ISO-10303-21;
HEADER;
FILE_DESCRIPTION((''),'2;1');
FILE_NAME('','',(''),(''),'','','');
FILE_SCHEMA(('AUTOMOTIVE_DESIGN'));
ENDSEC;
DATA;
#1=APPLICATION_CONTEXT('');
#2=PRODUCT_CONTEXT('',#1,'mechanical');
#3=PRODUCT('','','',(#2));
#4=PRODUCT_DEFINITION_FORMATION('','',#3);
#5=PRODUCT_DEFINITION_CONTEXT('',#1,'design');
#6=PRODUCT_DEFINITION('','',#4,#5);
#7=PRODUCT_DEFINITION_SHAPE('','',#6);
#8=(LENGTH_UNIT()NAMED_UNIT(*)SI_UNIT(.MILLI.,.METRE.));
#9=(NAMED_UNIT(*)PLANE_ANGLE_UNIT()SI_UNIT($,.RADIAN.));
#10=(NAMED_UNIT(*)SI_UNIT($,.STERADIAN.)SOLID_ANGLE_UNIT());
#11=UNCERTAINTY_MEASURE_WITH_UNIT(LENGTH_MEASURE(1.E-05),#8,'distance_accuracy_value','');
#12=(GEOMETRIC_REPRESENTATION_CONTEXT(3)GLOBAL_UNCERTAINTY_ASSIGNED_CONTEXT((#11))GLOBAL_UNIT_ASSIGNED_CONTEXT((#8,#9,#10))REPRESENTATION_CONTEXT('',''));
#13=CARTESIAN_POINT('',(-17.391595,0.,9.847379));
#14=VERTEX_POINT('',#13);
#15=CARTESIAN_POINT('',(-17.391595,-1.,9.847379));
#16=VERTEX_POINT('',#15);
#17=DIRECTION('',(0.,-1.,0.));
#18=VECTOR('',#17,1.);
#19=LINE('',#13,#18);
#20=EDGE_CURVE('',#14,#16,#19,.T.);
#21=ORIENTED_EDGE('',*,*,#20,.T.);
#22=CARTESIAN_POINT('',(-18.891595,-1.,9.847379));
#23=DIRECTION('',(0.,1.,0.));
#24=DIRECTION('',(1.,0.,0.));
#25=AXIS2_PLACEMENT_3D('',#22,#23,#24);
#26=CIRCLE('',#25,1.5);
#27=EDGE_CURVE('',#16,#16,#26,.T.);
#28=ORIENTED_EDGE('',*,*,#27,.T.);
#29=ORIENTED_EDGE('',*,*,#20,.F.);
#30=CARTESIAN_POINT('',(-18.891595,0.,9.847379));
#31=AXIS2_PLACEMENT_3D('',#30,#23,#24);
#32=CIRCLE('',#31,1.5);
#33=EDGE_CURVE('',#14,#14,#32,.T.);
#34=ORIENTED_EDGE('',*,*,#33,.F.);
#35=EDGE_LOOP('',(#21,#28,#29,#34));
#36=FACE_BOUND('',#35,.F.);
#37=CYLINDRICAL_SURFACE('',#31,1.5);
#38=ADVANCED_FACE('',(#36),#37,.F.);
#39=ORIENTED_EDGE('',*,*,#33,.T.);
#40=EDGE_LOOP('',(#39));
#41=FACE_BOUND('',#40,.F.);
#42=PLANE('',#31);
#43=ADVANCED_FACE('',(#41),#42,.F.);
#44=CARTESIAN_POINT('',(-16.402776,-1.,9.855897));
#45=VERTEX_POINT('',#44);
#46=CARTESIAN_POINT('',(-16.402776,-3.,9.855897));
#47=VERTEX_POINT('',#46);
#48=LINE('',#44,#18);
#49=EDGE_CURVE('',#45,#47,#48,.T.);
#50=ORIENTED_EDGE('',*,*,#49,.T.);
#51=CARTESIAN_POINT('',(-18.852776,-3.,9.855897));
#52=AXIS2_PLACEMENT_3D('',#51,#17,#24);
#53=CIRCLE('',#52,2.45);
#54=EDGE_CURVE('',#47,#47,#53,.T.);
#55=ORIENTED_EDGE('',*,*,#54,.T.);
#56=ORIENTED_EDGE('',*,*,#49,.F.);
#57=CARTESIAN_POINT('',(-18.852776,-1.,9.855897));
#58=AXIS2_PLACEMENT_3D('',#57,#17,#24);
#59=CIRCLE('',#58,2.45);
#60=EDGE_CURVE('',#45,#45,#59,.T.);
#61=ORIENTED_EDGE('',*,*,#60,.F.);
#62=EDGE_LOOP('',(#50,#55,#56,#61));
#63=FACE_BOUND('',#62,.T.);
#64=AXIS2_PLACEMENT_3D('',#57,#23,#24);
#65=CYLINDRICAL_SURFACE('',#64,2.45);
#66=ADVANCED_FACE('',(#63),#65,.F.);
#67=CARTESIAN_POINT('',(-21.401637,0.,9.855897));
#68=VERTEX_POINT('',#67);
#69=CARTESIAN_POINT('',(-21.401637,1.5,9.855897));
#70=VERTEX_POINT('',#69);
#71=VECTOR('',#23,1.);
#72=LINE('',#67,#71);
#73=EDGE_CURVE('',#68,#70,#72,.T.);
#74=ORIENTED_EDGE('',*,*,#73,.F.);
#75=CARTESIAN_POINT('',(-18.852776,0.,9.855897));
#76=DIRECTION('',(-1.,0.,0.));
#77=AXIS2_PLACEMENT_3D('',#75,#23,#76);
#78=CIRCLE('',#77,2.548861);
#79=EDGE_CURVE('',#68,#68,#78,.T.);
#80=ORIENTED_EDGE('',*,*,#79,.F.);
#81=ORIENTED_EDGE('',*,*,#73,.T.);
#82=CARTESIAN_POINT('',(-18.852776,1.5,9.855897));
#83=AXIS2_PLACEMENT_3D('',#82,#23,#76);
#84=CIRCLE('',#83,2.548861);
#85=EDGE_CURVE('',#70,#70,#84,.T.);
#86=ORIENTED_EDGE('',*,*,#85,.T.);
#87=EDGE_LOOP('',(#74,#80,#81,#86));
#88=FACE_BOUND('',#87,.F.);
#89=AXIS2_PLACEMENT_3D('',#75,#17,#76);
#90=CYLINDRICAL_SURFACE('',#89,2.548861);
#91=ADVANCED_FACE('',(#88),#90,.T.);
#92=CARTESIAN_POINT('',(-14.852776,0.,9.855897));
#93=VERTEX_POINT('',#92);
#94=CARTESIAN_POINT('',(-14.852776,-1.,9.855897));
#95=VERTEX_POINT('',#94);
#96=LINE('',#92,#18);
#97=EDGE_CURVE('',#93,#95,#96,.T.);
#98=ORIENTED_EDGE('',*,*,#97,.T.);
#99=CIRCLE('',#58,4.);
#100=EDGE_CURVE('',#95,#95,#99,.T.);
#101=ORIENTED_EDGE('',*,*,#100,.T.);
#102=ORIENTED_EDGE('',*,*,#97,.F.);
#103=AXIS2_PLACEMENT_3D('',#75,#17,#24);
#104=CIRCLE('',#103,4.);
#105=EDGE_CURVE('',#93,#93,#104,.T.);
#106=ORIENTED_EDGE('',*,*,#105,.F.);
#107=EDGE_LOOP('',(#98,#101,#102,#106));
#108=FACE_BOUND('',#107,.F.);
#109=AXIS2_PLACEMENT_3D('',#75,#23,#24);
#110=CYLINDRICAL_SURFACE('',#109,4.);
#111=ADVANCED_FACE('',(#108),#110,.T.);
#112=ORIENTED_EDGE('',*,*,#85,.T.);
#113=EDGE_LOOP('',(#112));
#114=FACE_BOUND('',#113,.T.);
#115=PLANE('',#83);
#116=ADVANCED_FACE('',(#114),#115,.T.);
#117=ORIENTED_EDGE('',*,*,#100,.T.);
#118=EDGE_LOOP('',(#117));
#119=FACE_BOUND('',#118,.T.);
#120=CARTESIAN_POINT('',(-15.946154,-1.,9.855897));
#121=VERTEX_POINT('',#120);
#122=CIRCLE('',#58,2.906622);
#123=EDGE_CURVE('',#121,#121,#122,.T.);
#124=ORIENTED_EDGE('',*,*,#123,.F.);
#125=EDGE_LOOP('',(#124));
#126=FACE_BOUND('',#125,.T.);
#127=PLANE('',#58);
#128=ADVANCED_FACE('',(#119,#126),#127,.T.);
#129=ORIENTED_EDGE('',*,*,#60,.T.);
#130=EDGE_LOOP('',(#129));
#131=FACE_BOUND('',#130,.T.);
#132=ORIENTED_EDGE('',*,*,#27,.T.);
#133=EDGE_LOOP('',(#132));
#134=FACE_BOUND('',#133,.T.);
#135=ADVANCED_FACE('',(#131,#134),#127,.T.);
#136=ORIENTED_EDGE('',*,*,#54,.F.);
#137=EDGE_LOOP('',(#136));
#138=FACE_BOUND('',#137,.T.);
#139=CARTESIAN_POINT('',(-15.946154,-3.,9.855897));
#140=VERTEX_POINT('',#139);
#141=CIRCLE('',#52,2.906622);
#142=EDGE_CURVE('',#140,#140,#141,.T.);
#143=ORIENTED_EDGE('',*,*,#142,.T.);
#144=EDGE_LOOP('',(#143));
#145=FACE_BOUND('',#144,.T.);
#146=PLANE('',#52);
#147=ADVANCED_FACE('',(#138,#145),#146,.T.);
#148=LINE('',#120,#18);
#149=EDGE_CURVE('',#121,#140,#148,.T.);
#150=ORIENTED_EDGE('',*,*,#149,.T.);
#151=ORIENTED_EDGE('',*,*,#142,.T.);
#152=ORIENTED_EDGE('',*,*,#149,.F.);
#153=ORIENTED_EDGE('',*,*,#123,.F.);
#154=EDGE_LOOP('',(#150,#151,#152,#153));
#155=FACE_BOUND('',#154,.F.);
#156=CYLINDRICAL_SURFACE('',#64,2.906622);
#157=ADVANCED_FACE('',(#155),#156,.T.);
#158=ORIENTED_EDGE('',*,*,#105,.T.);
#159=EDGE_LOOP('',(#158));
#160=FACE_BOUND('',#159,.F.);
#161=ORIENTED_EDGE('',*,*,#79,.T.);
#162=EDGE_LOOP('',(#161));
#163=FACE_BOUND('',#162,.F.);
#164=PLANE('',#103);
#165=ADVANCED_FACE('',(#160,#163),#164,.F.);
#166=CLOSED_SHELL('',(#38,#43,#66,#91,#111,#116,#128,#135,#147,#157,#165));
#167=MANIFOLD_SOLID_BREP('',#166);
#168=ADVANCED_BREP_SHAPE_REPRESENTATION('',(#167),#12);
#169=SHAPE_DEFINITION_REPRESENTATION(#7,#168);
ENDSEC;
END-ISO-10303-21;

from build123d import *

# Parameters (mm, degrees)
F0_R     = 4
F0_R_2   = 3.4982450121
F0_R_3   = 3.0047107059
F1_DEPTH = 1
F2_R     = 2.9066223448
F2_R_2   = 2.45
F3_DEPTH = 2
F4_R     = 2.5488613676
F5_DEPTH = 1.5
F7_D     = 3
F7_DEPTH = 2
F7_TIP   = 0.9012909285


with BuildPart() as f1:
    # F0 (on Front) → F1 (new body)
    with BuildSketch(Plane.XZ):
        with Locations((-18.8527759165, 9.8558971658)):
            Circle(F0_R)
        with Locations((-18.8527759165, 9.8558971658)):
            Circle(F0_R_2, mode=Mode.SUBTRACT)
        with Locations((-18.8527759165, 9.8558971658)):
            Circle(F0_R_2)
        with Locations((-18.8527759165, 9.8558971658)):
            Circle(F0_R_3, mode=Mode.SUBTRACT)
        with Locations((-18.8527759165, 9.8558971658)):
            Circle(F0_R_3)
    extrude(amount=F1_DEPTH)

    # F2 (on face) → F3 (join)
    with BuildSketch(Plane.XZ.offset(1)):
        with Locations((-18.8527759165, 9.8558971658)):
            Circle(F2_R)
        with Locations((-18.8527759165, 9.8558971658)):
            Circle(F2_R_2, mode=Mode.SUBTRACT)
    extrude(amount=F3_DEPTH)

    # F4 (on face) → F5 (join)
    with BuildSketch(Plane(origin=(0, 0, 0), x_dir=(-1, 0, 0), z_dir=(0, 1, 0))):
        with Locations((18.8527759165, 9.8558971658)):
            Circle(F4_R)
    extrude(amount=F5_DEPTH)

    # F7 (one way)
    with BuildSketch(Plane(origin=(0, 0, 0), x_dir=(1, 0, 0), z_dir=(0, 1, 0))):
        with Locations((-18.891595304, -9.8473792896)):
            Circle(F7_D / 2)
    extrude(amount=-F7_DEPTH, mode=Mode.SUBTRACT)
    with Locations(Plane(origin=(0, 0, 0), x_dir=(1, 0, 0), z_dir=(0, 1, 0))):
        with Locations((-18.891595304, -9.8473792896)):
            with Locations((0, 0, -(F7_DEPTH + F7_TIP / 2))):  # 118° drill point
                Cone(0, F7_D / 2, F7_TIP, mode=Mode.SUBTRACT)


solid = f1.part
